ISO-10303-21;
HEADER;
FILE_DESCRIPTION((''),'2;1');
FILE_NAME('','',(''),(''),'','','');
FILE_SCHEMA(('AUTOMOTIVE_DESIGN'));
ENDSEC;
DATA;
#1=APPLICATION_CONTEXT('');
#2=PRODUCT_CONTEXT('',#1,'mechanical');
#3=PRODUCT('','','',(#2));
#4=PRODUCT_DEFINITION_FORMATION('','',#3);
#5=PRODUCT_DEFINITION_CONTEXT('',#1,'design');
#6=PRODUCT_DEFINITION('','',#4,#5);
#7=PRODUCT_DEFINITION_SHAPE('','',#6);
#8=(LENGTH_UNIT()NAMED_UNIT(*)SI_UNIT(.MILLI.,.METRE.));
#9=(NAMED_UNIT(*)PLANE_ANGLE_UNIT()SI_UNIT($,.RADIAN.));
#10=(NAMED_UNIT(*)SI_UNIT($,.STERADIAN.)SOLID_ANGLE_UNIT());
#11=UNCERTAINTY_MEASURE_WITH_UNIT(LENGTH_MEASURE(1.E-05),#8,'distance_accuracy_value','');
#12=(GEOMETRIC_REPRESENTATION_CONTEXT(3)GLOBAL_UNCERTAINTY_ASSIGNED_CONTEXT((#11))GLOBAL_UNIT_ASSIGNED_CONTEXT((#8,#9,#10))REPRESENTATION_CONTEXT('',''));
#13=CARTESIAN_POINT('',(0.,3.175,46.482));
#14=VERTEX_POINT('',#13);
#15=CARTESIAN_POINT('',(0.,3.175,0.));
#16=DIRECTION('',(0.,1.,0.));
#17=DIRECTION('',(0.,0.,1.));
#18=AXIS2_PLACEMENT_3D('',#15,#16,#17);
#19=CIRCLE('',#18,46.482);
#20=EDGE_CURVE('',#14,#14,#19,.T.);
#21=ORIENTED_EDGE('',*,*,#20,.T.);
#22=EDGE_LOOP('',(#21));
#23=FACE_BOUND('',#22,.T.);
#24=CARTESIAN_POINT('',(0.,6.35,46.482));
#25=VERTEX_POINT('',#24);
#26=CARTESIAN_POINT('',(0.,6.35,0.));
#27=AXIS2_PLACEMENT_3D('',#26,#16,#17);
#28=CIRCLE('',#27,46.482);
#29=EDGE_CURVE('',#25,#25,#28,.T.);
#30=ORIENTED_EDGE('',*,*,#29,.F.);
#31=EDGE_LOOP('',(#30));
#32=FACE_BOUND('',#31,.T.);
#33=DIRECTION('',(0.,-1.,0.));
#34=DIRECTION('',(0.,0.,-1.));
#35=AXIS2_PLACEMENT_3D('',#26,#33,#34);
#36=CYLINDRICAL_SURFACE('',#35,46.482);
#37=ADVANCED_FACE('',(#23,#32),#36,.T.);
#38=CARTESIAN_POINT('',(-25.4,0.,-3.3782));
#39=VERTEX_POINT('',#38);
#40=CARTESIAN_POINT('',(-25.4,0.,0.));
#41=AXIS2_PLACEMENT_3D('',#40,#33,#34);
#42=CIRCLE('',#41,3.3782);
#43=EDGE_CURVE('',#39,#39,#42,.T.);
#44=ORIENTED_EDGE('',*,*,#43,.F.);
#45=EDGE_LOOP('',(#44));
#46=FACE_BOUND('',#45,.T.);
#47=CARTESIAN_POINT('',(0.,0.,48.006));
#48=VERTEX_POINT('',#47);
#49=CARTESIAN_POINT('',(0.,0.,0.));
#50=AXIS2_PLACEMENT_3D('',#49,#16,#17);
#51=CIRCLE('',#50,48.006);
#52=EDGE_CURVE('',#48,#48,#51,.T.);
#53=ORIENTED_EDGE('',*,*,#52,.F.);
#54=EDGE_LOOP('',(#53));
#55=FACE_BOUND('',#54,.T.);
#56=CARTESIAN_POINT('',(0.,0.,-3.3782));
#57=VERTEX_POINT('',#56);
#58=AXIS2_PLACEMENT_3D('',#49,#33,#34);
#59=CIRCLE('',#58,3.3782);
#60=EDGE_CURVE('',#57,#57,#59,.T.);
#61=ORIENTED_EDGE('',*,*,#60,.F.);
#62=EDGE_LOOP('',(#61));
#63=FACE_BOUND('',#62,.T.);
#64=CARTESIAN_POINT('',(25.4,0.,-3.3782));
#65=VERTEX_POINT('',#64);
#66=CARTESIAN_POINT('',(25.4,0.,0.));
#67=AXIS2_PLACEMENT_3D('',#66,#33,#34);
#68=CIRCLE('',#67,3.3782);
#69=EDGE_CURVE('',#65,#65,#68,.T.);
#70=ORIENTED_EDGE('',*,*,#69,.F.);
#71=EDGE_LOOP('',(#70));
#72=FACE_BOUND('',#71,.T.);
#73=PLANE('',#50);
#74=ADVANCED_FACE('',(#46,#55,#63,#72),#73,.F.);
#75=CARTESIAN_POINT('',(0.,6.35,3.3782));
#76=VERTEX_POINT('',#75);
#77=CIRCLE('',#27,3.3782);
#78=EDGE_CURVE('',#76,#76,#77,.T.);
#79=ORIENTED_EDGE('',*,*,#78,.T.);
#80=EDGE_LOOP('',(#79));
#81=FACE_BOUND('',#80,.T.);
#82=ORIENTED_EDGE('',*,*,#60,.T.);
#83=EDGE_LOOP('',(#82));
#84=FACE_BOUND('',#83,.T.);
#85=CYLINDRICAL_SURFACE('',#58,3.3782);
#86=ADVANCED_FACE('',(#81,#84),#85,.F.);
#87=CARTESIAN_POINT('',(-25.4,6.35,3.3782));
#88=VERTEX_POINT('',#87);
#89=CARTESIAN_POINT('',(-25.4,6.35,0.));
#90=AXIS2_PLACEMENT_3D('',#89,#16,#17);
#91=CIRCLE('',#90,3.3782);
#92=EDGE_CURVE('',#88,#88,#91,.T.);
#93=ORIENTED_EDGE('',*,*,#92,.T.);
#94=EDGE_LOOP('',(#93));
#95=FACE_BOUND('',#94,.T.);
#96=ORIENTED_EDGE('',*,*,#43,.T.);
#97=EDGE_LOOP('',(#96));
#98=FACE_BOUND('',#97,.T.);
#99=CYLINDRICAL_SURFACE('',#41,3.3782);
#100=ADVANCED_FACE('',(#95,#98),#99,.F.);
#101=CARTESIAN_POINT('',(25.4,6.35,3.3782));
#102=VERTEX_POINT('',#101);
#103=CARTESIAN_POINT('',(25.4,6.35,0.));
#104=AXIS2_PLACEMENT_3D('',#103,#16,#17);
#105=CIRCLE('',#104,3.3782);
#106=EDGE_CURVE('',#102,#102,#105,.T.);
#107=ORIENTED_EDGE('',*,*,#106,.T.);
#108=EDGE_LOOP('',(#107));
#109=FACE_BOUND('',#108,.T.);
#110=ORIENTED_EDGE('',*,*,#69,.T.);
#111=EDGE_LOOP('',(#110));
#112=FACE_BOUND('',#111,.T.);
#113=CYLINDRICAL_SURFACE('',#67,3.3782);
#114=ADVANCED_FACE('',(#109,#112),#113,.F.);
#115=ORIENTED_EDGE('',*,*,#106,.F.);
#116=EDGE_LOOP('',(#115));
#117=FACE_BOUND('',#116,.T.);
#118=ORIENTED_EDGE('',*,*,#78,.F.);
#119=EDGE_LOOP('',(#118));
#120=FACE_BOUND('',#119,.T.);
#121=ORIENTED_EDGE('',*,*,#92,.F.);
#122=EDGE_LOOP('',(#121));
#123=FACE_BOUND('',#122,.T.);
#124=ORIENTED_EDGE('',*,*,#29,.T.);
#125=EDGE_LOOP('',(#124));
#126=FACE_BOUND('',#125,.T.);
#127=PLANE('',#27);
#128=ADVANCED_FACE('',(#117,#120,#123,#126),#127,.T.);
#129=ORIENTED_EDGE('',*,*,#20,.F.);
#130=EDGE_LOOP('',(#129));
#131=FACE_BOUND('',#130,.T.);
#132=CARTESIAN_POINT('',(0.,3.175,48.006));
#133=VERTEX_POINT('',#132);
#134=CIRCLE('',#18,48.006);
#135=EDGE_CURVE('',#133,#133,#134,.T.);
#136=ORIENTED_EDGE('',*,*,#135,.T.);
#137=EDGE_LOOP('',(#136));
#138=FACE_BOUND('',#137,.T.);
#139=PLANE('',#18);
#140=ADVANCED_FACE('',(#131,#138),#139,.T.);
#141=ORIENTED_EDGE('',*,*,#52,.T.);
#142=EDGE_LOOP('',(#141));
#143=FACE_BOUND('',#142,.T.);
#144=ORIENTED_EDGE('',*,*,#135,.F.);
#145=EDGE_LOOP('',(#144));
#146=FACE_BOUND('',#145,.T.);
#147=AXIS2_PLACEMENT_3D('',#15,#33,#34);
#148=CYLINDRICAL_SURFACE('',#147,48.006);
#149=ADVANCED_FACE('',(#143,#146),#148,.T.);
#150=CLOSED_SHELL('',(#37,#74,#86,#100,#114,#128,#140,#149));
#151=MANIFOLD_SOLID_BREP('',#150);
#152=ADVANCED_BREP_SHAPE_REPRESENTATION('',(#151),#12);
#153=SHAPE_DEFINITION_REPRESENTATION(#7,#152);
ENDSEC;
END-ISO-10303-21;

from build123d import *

# Parameters (mm, degrees)
SKETCH1_R                   = 48.006
BOSS_EXTRUDE1_DEPTH         = 3.175
SKETCH2_R                   = 46.482
BOSS_EXTRUDE2_DEPTH         = 3.175
F_1_4_CLEARANCE_HOLE1_D     = 6.7564
F_1_4_CLEARANCE_HOLE1_DEPTH = 48.770172657
F_1_4_CLEARANCE_HOLE1_TIP   = 2.029827343


with BuildPart() as part:
    # Sketch1 → Boss-Extrude1 (new body)
    with BuildSketch(Plane(origin=(0, 0, 0), x_dir=(1, 0, 0), z_dir=(0, 1, 0))):
        Circle(SKETCH1_R)
    extrude(amount=BOSS_EXTRUDE1_DEPTH)

    # Sketch2 → Boss-Extrude2 (add)
    with BuildSketch(Plane(origin=(0, 3.175, 0), x_dir=(1, 0, 0), z_dir=(0, 1, 0))):
        Circle(SKETCH2_R)
    extrude(amount=BOSS_EXTRUDE2_DEPTH)

    # 1/4 Clearance Hole1
    with Locations(Plane(origin=(0, 0, 0), x_dir=(-1, 0, 0), z_dir=(0, -1, 0))):
        with Locations((-25.4, 0), (0, 0), (25.4, 0)):
            Hole(F_1_4_CLEARANCE_HOLE1_D / 2, depth=F_1_4_CLEARANCE_HOLE1_DEPTH)
            with Locations((0, 0, -(F_1_4_CLEARANCE_HOLE1_DEPTH + F_1_4_CLEARANCE_HOLE1_TIP / 2))):  # 118° drill point
                Cone(0, F_1_4_CLEARANCE_HOLE1_D / 2, F_1_4_CLEARANCE_HOLE1_TIP, mode=Mode.SUBTRACT)


solid = part.part
